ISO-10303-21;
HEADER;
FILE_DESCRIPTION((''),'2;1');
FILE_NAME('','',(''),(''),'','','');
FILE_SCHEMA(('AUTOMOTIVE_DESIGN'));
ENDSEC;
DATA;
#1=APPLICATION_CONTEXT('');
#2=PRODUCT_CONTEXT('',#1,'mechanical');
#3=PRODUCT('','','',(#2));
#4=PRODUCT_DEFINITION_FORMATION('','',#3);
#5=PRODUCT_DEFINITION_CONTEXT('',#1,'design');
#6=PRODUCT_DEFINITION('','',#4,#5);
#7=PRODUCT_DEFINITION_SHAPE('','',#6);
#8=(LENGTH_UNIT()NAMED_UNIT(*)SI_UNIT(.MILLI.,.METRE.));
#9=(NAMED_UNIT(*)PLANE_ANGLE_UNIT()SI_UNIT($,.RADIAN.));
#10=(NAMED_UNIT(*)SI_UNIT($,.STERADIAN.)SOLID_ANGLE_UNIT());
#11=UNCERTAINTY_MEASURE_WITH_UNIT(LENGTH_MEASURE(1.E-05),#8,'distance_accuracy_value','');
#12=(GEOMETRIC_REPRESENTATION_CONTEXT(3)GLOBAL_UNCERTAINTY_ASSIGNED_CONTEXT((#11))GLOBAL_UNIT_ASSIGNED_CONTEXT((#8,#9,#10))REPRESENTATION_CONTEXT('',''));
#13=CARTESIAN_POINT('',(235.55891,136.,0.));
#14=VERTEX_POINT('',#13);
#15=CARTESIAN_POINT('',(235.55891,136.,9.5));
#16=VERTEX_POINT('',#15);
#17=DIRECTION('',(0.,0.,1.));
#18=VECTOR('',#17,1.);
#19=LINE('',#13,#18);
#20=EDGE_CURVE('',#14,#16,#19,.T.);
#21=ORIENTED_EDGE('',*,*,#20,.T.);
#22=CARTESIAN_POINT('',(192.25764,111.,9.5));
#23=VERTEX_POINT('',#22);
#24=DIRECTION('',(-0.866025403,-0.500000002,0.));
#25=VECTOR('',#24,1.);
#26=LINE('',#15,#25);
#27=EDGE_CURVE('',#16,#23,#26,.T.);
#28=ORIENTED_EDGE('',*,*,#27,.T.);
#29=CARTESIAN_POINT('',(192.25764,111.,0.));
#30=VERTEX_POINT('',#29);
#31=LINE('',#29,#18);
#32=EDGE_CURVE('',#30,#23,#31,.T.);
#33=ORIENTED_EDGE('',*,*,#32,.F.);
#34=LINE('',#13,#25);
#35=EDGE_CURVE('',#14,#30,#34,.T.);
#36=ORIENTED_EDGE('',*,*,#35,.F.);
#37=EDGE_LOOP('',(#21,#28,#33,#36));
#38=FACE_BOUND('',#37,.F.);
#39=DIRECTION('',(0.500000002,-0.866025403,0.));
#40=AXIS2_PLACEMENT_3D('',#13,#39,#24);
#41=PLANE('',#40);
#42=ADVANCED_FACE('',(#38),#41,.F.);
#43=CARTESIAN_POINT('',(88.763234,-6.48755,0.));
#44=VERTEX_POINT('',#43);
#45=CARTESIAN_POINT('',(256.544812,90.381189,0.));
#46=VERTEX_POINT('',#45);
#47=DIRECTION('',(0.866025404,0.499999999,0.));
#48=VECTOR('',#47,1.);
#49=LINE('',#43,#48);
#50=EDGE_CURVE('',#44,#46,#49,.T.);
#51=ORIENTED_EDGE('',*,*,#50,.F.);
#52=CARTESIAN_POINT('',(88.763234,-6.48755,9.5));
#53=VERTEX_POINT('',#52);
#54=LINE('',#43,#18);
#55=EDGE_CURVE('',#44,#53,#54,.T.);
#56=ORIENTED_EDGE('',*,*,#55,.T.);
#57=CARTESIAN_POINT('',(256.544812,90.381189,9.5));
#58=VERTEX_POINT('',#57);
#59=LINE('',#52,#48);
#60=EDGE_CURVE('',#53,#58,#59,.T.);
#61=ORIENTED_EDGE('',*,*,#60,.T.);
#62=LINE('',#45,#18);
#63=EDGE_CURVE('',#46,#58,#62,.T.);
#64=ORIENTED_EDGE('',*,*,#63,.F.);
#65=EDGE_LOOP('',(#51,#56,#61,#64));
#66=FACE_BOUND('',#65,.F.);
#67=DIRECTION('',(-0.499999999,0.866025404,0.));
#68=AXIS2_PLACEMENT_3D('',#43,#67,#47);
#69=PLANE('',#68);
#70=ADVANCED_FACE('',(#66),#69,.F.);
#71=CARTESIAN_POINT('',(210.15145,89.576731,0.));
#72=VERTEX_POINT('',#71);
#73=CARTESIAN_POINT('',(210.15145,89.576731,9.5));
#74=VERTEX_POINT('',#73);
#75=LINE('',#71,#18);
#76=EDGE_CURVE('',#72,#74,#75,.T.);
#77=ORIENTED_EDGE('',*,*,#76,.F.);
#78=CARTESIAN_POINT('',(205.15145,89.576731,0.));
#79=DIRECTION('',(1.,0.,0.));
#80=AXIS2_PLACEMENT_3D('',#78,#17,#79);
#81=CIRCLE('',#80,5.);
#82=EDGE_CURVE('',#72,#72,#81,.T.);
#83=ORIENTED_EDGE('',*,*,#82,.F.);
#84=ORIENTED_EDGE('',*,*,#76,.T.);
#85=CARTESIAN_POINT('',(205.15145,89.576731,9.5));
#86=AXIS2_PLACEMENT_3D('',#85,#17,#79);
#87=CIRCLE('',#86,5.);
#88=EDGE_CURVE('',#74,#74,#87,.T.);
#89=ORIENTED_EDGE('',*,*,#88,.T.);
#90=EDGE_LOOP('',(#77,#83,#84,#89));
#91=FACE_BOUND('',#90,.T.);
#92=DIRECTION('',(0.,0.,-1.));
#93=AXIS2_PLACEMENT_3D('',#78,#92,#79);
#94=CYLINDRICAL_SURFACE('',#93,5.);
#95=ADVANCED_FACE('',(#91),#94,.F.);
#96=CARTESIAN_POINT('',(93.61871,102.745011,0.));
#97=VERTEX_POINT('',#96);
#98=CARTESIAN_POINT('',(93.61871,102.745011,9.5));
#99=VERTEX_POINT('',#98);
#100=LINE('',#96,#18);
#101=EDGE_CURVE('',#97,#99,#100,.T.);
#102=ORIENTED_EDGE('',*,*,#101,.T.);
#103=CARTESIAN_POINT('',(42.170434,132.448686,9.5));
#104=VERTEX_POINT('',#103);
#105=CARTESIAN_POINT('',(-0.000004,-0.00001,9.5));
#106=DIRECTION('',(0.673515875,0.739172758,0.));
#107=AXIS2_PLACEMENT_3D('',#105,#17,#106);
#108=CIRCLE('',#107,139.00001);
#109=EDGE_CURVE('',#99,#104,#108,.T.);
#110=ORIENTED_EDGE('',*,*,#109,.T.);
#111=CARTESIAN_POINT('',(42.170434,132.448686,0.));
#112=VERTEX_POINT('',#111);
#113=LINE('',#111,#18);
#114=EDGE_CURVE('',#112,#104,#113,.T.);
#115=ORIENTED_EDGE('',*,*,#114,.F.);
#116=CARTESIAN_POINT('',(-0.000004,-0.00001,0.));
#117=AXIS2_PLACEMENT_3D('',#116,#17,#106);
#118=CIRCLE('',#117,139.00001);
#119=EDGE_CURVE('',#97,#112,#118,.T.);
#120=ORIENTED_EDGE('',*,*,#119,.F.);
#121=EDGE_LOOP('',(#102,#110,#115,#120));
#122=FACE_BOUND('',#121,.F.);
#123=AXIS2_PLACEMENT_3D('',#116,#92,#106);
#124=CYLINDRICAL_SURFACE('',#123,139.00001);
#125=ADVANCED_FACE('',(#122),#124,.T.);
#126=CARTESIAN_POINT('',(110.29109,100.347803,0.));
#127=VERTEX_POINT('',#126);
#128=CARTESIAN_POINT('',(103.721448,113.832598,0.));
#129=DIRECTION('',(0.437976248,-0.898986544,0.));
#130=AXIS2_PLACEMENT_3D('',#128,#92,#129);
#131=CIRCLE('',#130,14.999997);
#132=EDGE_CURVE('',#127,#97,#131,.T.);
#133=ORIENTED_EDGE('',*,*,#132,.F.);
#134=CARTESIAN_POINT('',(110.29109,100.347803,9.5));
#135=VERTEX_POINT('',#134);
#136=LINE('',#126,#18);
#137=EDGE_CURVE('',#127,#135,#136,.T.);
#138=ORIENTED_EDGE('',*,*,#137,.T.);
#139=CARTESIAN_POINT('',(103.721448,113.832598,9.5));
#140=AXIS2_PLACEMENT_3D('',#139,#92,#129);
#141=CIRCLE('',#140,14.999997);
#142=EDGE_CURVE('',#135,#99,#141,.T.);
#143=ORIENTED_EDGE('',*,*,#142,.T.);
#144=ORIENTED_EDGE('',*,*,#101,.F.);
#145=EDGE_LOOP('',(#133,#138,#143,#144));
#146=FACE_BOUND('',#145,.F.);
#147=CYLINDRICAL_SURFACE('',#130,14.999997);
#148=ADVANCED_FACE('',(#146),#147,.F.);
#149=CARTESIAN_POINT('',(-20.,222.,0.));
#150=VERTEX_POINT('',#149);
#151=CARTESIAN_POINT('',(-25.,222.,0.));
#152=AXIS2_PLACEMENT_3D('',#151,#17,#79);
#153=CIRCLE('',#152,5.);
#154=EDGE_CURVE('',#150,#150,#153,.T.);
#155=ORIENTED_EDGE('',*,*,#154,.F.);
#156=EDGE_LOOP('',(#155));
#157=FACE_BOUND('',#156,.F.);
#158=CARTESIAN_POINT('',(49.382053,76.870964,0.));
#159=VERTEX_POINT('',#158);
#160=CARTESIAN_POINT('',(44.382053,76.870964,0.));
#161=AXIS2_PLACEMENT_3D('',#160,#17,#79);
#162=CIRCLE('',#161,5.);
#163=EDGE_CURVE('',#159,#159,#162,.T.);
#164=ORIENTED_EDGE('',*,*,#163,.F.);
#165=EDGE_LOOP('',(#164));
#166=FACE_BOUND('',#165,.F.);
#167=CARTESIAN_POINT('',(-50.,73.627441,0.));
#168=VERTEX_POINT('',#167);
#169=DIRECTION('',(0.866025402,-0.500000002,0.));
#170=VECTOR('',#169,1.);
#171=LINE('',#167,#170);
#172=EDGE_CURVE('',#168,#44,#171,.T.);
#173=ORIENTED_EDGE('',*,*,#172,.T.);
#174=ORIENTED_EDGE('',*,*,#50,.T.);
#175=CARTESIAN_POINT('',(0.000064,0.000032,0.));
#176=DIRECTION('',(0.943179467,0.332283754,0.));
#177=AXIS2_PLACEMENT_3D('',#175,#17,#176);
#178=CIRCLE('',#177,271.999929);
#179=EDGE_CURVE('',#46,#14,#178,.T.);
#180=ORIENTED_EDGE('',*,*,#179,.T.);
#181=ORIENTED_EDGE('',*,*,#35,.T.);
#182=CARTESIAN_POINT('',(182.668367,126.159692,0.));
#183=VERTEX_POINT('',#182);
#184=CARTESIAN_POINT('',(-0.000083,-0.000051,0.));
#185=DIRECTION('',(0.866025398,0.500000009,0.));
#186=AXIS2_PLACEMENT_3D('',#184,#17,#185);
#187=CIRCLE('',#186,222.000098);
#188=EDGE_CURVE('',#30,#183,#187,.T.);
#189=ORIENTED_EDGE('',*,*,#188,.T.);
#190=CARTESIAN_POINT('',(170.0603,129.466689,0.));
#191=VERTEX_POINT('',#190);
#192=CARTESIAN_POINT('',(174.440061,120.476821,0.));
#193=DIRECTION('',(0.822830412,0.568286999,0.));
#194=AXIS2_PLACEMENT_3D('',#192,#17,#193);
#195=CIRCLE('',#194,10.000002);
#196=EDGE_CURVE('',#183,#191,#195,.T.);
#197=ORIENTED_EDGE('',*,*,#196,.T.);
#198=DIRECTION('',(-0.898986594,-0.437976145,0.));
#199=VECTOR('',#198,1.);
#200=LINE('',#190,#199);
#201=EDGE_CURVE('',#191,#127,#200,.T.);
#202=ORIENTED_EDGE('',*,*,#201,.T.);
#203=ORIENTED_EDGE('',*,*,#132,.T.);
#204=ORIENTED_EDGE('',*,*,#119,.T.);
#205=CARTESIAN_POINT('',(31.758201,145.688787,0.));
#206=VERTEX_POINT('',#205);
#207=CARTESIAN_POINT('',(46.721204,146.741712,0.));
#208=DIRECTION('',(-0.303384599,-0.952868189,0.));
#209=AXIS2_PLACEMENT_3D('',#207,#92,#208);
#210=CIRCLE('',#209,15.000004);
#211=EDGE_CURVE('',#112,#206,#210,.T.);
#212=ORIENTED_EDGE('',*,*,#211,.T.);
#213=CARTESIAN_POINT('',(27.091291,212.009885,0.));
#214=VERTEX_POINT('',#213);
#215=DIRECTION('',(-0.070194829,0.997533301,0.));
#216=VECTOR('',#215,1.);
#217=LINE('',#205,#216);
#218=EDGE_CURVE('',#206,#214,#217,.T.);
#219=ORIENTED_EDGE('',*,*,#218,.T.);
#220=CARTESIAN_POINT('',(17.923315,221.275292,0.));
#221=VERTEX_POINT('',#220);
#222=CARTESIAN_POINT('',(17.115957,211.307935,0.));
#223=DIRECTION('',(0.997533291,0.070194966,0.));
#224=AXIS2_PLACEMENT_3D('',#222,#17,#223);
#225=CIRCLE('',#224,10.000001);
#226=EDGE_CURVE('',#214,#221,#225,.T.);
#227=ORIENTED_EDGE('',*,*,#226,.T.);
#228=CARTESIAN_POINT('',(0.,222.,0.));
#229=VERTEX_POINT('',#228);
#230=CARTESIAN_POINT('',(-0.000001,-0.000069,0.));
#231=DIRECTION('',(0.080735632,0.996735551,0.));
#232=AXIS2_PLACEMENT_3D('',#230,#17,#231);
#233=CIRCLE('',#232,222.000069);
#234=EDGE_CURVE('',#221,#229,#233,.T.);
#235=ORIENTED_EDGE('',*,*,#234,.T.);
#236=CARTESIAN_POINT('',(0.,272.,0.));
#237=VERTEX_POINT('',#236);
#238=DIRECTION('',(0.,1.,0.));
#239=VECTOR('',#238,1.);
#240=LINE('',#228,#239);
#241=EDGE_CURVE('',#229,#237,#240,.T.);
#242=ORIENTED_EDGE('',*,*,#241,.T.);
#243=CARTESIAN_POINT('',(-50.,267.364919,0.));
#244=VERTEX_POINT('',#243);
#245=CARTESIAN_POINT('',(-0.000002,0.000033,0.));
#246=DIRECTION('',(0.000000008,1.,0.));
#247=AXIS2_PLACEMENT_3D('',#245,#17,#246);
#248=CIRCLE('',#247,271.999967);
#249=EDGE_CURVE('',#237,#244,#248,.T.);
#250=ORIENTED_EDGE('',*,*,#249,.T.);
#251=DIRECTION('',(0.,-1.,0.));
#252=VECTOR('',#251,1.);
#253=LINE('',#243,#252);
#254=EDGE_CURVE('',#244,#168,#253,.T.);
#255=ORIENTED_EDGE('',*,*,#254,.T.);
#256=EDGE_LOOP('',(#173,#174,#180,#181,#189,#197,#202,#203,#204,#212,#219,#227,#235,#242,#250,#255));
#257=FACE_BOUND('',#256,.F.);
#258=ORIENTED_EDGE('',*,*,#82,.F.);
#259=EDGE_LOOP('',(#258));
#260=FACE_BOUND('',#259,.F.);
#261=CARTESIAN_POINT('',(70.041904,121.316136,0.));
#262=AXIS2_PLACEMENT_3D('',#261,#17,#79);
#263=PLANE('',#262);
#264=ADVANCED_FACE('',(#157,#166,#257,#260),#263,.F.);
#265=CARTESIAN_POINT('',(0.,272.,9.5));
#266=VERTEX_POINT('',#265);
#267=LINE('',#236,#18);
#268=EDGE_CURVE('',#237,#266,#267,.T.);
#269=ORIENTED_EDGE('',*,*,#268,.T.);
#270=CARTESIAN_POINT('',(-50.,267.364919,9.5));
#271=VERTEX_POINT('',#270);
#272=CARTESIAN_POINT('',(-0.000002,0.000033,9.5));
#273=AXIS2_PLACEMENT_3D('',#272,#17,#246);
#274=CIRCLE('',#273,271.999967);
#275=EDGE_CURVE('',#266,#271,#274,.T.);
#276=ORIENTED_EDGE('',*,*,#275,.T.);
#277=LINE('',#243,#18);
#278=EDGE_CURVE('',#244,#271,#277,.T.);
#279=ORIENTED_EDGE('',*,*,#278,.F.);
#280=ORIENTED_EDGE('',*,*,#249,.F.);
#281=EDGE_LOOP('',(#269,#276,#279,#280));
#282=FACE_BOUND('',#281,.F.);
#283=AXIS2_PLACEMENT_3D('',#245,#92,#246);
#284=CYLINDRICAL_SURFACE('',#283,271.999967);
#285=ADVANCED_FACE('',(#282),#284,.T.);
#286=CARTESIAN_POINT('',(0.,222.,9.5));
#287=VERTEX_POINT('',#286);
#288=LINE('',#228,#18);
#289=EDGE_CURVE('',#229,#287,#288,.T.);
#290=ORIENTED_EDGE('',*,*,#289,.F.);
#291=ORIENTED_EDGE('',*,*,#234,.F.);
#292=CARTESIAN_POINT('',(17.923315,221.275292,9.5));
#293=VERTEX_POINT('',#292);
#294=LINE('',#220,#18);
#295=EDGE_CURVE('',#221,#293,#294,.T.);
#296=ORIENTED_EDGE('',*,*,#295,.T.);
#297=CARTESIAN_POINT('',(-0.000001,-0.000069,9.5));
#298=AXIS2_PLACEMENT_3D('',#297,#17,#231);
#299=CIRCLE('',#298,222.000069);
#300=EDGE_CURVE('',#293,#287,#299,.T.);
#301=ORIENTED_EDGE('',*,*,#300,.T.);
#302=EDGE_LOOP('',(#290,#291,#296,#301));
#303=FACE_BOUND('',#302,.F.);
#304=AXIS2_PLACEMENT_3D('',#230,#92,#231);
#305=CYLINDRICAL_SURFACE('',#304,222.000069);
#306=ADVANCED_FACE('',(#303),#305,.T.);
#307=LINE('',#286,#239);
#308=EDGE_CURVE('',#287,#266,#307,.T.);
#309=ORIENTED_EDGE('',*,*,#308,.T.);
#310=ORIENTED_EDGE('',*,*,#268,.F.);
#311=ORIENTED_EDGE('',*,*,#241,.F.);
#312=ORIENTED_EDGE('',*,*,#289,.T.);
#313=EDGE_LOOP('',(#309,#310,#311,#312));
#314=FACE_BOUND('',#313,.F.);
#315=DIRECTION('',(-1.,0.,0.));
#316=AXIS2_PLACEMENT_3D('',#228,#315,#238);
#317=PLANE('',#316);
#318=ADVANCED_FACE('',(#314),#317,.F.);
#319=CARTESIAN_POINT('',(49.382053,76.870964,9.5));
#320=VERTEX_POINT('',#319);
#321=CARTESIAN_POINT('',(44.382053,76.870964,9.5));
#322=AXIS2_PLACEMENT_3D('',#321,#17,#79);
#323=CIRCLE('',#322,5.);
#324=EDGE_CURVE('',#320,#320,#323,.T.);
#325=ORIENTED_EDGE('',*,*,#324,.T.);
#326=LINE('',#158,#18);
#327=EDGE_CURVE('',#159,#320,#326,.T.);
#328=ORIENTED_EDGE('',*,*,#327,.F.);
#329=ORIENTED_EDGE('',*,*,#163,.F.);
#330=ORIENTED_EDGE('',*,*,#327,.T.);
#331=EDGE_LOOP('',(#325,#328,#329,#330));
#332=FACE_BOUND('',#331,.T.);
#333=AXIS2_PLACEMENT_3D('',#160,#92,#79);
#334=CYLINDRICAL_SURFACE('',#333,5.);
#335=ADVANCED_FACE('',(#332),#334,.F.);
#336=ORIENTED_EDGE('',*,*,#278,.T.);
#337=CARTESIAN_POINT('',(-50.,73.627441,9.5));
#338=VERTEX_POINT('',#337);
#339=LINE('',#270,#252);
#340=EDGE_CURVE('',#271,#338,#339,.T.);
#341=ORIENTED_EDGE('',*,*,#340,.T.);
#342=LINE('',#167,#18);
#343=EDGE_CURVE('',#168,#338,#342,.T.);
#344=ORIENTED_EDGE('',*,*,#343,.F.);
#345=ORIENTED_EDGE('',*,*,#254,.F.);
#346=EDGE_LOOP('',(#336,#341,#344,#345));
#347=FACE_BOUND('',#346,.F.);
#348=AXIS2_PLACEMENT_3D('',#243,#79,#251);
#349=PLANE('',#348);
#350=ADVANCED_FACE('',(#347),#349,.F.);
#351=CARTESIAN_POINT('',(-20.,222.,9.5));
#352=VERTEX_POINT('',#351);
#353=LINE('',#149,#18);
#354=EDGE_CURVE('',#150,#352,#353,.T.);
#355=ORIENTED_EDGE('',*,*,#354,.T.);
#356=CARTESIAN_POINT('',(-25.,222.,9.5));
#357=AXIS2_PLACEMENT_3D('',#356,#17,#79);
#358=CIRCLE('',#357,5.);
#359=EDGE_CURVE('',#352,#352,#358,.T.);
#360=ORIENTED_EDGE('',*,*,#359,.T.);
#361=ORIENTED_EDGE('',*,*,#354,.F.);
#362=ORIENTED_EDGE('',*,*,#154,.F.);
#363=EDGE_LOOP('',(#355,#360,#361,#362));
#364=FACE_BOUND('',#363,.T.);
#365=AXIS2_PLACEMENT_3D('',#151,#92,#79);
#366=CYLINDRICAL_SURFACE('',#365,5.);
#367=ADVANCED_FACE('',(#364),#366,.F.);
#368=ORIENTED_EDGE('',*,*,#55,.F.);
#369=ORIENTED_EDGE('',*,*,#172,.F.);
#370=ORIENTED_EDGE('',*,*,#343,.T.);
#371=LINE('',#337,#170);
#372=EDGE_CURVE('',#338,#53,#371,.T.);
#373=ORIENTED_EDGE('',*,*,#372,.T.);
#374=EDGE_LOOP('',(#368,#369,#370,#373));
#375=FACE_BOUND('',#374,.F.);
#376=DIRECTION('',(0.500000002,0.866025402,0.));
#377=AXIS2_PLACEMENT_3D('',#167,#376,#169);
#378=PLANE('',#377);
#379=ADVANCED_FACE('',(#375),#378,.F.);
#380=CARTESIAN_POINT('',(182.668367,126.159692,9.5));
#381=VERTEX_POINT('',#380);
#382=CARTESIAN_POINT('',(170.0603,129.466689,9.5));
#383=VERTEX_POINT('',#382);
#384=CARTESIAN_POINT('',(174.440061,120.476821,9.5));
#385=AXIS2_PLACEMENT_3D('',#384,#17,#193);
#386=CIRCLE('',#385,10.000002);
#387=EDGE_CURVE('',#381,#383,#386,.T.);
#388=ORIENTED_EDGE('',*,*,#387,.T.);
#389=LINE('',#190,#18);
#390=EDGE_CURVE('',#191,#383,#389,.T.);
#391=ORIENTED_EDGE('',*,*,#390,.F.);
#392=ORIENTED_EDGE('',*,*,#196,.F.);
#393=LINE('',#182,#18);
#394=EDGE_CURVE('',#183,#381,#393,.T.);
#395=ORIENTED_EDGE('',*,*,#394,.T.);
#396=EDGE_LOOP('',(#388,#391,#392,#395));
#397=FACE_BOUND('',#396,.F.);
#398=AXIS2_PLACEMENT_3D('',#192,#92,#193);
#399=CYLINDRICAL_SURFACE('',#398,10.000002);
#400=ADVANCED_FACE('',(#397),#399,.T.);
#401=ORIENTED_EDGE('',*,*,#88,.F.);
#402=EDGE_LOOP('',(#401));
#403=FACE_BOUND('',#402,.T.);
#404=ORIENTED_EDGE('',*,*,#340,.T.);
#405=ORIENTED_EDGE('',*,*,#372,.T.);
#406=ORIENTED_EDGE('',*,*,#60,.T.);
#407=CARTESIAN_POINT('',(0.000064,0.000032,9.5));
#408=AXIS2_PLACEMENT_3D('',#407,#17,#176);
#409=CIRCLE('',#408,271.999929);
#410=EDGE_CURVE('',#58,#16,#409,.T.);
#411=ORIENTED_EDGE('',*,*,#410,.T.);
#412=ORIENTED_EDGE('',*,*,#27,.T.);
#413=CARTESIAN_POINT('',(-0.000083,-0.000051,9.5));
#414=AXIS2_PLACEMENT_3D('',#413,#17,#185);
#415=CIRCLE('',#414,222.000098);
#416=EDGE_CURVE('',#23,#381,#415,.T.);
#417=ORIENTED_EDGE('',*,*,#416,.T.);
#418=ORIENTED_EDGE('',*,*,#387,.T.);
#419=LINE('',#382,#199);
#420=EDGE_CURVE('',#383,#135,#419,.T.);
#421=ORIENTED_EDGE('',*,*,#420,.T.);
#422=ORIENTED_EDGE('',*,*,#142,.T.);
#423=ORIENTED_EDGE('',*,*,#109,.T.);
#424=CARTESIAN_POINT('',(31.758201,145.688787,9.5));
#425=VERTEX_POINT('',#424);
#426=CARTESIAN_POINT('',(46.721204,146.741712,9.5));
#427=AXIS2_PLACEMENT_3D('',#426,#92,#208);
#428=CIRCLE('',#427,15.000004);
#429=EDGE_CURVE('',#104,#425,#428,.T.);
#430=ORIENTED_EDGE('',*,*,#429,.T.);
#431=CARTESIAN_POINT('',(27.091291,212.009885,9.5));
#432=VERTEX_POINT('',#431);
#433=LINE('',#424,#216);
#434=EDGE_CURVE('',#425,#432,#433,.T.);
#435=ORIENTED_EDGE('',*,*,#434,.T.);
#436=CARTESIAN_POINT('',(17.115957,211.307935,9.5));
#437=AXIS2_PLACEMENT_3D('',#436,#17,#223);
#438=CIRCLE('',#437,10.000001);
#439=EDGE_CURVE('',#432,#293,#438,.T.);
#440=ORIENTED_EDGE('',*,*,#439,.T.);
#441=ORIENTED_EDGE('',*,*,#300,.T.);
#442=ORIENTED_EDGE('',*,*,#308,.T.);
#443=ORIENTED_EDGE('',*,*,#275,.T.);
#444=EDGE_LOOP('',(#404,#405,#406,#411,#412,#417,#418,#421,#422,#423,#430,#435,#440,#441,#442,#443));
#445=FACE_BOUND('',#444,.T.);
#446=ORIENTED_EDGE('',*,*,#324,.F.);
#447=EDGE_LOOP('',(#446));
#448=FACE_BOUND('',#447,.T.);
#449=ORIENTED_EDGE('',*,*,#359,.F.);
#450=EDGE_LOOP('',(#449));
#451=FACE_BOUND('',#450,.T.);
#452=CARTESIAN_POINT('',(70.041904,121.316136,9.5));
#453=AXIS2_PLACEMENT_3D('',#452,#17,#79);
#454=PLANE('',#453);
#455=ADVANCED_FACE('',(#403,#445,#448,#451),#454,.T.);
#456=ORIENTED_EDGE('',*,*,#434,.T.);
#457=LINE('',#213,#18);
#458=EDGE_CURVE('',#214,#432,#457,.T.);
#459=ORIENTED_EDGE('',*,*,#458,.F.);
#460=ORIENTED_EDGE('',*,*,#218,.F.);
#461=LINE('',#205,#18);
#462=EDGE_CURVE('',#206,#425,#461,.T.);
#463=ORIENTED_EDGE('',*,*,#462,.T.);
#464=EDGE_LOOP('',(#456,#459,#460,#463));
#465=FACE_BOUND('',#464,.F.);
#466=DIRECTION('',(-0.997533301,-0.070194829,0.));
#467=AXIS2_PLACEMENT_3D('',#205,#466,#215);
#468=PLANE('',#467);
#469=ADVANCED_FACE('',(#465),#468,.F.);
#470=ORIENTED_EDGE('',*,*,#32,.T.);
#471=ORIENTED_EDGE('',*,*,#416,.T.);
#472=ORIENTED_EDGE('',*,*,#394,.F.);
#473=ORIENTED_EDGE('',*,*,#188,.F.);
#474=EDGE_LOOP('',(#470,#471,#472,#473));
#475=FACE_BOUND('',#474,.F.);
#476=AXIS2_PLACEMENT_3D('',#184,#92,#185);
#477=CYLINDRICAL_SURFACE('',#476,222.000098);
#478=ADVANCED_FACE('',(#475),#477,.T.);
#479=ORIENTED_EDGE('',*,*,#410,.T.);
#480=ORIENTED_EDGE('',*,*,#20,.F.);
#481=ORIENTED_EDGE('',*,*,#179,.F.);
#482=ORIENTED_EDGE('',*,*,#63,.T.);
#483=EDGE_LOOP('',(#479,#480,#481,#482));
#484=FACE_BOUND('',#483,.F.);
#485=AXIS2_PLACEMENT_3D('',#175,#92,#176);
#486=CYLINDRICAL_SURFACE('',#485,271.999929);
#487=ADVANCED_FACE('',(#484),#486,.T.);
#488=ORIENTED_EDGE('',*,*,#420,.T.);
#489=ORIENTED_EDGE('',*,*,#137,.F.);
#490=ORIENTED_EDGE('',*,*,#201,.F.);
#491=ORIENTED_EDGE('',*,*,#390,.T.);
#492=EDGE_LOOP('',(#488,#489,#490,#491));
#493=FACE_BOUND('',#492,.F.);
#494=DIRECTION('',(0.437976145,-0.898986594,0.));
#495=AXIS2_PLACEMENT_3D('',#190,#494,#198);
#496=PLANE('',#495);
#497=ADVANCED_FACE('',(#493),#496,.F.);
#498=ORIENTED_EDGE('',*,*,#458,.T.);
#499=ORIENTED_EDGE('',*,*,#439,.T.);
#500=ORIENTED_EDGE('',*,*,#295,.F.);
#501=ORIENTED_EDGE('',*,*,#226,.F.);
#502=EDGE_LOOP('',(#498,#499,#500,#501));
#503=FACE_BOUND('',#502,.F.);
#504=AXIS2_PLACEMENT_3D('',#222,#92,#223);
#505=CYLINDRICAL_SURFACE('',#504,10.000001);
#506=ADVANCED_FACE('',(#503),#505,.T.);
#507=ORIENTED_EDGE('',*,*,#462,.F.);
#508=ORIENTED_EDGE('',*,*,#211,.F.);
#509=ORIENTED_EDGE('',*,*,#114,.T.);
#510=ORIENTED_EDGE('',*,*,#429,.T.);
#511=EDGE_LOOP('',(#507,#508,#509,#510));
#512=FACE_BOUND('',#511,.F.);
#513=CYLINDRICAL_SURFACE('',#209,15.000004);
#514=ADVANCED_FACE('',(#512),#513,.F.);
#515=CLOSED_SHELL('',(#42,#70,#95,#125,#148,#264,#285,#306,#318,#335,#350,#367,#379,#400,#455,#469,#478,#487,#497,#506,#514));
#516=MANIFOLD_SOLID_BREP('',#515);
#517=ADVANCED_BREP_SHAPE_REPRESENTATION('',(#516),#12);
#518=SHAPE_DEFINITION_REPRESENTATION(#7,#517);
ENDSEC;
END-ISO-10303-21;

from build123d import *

# Parameters (mm, degrees)
F0_R     = 5
F1_DEPTH = 9.5


with BuildPart() as f1:
    # F0 (on Top) → F1 (new body)
    with BuildSketch(Plane.XY):
        with BuildLine():
            ThreePointArc((27.091291, 212.009885), (24.224301, 218.341531), (17.923315, 221.275292))
            ThreePointArc((17.923315, 221.275292), (8.96898, 221.818749), (0, 222))
            Line((0, 222), (0, 272))
            ThreePointArc((0, 272), (-25.10719, 270.838751), (-50, 267.364919))
            Line((-50, 267.364919), (-50, 73.627441))
            Line((-50, 73.627441), (88.763234, -6.48755))
            Line((88.763234, -6.48755), (256.544812, 90.381189))
            ThreePointArc((256.544812, 90.381189), (247.106834, 113.675911), (235.55891, 136))
            Line((235.55891, 136), (192.25764, 111))
            ThreePointArc((192.25764, 111), (187.616182, 118.676739), (182.668367, 126.159692))
            ThreePointArc((182.668367, 126.159692), (176.977162, 130.149626), (170.0603, 129.466689))
            Line((170.0603, 129.466689), (110.29109, 100.347803))
            ThreePointArc((110.29109, 100.347803), (101.586655, 98.98529), (93.61871, 102.745011))
            ThreePointArc((93.61871, 102.745011), (69.5, 120.377531), (42.170434, 132.448686))
            ThreePointArc((42.170434, 132.448686), (34.930449, 137.469269), (31.758201, 145.688787))
            Line((31.758201, 145.688787), (27.091291, 212.009885))
        make_face()
        with Locations((44.382053, 76.870964)):
            Circle(F0_R, mode=Mode.SUBTRACT)
        with Locations((205.15145, 89.576731)):
            Circle(F0_R, mode=Mode.SUBTRACT)
        with Locations((-25, 222)):
            Circle(F0_R, mode=Mode.SUBTRACT)
    extrude(amount=F1_DEPTH)


solid = f1.part
